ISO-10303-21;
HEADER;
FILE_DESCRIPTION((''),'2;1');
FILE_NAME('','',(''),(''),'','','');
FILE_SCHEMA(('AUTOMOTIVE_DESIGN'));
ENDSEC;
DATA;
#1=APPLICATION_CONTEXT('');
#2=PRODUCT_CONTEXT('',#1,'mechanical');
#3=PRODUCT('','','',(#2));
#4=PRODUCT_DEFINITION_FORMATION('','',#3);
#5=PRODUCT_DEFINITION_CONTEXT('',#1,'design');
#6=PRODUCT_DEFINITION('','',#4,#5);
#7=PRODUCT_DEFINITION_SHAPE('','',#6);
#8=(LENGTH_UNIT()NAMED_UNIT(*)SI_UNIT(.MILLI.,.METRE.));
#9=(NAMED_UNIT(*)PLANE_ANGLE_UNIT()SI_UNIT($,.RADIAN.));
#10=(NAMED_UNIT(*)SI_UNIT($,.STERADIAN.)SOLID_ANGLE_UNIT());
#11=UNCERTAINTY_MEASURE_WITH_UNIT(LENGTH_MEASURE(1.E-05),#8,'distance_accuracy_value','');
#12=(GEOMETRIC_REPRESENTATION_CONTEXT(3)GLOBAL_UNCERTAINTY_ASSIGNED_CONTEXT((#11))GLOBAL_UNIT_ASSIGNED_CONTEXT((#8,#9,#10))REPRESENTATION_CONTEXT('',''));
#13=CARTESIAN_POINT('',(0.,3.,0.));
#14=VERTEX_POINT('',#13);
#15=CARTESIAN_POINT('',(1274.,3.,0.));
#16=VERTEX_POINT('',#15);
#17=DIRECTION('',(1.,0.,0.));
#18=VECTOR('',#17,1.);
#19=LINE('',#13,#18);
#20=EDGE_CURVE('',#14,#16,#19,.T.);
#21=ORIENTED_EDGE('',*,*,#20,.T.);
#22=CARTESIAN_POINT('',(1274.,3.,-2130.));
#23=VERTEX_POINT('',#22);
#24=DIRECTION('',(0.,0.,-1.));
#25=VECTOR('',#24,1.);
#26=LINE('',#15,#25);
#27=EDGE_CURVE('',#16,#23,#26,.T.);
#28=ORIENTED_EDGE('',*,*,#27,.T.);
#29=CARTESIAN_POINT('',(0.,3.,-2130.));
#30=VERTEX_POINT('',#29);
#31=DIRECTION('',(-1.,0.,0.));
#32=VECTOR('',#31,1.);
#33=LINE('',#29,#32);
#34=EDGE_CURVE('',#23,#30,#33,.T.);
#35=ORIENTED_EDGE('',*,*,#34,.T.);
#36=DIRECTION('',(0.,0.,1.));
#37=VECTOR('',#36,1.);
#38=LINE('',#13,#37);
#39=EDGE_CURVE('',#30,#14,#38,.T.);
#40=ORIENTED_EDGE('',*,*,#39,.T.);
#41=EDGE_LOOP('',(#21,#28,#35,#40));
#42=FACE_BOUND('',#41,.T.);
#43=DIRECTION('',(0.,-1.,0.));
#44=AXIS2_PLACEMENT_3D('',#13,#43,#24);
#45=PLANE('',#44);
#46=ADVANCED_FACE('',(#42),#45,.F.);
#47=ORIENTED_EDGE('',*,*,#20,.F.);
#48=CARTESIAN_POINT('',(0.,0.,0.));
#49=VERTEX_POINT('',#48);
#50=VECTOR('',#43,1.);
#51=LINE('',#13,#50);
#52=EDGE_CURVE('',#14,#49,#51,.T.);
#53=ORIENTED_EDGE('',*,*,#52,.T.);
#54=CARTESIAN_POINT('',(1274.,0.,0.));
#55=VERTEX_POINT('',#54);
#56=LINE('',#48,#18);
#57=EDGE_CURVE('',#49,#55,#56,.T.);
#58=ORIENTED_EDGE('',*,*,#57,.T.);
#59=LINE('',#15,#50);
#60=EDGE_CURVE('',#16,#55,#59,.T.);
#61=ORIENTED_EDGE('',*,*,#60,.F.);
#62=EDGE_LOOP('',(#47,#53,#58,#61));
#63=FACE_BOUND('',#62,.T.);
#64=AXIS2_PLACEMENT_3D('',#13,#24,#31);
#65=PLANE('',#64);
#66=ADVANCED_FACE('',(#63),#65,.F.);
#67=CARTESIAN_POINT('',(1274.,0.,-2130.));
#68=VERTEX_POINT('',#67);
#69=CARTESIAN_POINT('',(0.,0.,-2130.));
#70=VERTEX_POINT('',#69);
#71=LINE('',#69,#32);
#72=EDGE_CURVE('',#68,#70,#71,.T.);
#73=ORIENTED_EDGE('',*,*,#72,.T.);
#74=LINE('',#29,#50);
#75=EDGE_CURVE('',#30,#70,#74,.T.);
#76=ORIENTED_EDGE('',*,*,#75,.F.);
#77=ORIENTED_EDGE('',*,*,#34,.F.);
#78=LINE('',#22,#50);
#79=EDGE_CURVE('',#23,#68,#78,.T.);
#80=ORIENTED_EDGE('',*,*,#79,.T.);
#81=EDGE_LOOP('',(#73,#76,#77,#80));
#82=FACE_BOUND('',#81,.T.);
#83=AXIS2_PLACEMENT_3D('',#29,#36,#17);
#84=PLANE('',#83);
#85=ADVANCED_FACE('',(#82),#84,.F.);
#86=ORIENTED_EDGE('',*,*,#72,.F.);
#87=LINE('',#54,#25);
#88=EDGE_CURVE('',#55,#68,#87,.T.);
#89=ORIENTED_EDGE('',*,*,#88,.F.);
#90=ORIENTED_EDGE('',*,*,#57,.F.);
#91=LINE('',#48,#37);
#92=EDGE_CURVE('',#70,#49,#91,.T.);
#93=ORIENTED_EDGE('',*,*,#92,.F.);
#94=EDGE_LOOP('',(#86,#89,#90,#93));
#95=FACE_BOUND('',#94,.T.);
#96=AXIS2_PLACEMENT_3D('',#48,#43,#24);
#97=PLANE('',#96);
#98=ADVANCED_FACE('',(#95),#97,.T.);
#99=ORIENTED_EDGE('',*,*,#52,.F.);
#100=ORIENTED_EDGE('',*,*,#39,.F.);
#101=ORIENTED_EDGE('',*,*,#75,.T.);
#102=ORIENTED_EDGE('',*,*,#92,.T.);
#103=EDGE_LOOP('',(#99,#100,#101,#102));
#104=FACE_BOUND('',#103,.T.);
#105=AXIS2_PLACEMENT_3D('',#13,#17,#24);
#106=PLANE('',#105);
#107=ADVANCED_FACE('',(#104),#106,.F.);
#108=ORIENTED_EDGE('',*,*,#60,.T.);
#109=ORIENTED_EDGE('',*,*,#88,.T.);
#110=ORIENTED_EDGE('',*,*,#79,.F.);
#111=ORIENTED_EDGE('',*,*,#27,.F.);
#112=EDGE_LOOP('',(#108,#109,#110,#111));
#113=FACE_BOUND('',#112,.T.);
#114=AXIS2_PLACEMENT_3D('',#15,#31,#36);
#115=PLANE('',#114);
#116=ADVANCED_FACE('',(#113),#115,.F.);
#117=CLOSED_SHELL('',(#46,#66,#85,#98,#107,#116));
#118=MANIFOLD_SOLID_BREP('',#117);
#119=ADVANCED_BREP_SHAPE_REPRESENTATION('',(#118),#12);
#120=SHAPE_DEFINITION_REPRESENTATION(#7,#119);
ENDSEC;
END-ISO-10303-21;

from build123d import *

# Parameters (mm, degrees)
SKETCH_2_W      = 1274
SKETCH_2_H      = 2130
EXTRUDE_1_DEPTH = 3


with BuildPart() as part:
    # Эскиз2 → Бобышка-Вытянуть1 (new body)
    with BuildSketch(Plane(origin=(0, 0, 0), x_dir=(1, 0, 0), z_dir=(0, 1, 0))):
        with Locations((637, 1065)):
            Rectangle(SKETCH_2_W, SKETCH_2_H)
    extrude(amount=EXTRUDE_1_DEPTH)


solid = part.part
